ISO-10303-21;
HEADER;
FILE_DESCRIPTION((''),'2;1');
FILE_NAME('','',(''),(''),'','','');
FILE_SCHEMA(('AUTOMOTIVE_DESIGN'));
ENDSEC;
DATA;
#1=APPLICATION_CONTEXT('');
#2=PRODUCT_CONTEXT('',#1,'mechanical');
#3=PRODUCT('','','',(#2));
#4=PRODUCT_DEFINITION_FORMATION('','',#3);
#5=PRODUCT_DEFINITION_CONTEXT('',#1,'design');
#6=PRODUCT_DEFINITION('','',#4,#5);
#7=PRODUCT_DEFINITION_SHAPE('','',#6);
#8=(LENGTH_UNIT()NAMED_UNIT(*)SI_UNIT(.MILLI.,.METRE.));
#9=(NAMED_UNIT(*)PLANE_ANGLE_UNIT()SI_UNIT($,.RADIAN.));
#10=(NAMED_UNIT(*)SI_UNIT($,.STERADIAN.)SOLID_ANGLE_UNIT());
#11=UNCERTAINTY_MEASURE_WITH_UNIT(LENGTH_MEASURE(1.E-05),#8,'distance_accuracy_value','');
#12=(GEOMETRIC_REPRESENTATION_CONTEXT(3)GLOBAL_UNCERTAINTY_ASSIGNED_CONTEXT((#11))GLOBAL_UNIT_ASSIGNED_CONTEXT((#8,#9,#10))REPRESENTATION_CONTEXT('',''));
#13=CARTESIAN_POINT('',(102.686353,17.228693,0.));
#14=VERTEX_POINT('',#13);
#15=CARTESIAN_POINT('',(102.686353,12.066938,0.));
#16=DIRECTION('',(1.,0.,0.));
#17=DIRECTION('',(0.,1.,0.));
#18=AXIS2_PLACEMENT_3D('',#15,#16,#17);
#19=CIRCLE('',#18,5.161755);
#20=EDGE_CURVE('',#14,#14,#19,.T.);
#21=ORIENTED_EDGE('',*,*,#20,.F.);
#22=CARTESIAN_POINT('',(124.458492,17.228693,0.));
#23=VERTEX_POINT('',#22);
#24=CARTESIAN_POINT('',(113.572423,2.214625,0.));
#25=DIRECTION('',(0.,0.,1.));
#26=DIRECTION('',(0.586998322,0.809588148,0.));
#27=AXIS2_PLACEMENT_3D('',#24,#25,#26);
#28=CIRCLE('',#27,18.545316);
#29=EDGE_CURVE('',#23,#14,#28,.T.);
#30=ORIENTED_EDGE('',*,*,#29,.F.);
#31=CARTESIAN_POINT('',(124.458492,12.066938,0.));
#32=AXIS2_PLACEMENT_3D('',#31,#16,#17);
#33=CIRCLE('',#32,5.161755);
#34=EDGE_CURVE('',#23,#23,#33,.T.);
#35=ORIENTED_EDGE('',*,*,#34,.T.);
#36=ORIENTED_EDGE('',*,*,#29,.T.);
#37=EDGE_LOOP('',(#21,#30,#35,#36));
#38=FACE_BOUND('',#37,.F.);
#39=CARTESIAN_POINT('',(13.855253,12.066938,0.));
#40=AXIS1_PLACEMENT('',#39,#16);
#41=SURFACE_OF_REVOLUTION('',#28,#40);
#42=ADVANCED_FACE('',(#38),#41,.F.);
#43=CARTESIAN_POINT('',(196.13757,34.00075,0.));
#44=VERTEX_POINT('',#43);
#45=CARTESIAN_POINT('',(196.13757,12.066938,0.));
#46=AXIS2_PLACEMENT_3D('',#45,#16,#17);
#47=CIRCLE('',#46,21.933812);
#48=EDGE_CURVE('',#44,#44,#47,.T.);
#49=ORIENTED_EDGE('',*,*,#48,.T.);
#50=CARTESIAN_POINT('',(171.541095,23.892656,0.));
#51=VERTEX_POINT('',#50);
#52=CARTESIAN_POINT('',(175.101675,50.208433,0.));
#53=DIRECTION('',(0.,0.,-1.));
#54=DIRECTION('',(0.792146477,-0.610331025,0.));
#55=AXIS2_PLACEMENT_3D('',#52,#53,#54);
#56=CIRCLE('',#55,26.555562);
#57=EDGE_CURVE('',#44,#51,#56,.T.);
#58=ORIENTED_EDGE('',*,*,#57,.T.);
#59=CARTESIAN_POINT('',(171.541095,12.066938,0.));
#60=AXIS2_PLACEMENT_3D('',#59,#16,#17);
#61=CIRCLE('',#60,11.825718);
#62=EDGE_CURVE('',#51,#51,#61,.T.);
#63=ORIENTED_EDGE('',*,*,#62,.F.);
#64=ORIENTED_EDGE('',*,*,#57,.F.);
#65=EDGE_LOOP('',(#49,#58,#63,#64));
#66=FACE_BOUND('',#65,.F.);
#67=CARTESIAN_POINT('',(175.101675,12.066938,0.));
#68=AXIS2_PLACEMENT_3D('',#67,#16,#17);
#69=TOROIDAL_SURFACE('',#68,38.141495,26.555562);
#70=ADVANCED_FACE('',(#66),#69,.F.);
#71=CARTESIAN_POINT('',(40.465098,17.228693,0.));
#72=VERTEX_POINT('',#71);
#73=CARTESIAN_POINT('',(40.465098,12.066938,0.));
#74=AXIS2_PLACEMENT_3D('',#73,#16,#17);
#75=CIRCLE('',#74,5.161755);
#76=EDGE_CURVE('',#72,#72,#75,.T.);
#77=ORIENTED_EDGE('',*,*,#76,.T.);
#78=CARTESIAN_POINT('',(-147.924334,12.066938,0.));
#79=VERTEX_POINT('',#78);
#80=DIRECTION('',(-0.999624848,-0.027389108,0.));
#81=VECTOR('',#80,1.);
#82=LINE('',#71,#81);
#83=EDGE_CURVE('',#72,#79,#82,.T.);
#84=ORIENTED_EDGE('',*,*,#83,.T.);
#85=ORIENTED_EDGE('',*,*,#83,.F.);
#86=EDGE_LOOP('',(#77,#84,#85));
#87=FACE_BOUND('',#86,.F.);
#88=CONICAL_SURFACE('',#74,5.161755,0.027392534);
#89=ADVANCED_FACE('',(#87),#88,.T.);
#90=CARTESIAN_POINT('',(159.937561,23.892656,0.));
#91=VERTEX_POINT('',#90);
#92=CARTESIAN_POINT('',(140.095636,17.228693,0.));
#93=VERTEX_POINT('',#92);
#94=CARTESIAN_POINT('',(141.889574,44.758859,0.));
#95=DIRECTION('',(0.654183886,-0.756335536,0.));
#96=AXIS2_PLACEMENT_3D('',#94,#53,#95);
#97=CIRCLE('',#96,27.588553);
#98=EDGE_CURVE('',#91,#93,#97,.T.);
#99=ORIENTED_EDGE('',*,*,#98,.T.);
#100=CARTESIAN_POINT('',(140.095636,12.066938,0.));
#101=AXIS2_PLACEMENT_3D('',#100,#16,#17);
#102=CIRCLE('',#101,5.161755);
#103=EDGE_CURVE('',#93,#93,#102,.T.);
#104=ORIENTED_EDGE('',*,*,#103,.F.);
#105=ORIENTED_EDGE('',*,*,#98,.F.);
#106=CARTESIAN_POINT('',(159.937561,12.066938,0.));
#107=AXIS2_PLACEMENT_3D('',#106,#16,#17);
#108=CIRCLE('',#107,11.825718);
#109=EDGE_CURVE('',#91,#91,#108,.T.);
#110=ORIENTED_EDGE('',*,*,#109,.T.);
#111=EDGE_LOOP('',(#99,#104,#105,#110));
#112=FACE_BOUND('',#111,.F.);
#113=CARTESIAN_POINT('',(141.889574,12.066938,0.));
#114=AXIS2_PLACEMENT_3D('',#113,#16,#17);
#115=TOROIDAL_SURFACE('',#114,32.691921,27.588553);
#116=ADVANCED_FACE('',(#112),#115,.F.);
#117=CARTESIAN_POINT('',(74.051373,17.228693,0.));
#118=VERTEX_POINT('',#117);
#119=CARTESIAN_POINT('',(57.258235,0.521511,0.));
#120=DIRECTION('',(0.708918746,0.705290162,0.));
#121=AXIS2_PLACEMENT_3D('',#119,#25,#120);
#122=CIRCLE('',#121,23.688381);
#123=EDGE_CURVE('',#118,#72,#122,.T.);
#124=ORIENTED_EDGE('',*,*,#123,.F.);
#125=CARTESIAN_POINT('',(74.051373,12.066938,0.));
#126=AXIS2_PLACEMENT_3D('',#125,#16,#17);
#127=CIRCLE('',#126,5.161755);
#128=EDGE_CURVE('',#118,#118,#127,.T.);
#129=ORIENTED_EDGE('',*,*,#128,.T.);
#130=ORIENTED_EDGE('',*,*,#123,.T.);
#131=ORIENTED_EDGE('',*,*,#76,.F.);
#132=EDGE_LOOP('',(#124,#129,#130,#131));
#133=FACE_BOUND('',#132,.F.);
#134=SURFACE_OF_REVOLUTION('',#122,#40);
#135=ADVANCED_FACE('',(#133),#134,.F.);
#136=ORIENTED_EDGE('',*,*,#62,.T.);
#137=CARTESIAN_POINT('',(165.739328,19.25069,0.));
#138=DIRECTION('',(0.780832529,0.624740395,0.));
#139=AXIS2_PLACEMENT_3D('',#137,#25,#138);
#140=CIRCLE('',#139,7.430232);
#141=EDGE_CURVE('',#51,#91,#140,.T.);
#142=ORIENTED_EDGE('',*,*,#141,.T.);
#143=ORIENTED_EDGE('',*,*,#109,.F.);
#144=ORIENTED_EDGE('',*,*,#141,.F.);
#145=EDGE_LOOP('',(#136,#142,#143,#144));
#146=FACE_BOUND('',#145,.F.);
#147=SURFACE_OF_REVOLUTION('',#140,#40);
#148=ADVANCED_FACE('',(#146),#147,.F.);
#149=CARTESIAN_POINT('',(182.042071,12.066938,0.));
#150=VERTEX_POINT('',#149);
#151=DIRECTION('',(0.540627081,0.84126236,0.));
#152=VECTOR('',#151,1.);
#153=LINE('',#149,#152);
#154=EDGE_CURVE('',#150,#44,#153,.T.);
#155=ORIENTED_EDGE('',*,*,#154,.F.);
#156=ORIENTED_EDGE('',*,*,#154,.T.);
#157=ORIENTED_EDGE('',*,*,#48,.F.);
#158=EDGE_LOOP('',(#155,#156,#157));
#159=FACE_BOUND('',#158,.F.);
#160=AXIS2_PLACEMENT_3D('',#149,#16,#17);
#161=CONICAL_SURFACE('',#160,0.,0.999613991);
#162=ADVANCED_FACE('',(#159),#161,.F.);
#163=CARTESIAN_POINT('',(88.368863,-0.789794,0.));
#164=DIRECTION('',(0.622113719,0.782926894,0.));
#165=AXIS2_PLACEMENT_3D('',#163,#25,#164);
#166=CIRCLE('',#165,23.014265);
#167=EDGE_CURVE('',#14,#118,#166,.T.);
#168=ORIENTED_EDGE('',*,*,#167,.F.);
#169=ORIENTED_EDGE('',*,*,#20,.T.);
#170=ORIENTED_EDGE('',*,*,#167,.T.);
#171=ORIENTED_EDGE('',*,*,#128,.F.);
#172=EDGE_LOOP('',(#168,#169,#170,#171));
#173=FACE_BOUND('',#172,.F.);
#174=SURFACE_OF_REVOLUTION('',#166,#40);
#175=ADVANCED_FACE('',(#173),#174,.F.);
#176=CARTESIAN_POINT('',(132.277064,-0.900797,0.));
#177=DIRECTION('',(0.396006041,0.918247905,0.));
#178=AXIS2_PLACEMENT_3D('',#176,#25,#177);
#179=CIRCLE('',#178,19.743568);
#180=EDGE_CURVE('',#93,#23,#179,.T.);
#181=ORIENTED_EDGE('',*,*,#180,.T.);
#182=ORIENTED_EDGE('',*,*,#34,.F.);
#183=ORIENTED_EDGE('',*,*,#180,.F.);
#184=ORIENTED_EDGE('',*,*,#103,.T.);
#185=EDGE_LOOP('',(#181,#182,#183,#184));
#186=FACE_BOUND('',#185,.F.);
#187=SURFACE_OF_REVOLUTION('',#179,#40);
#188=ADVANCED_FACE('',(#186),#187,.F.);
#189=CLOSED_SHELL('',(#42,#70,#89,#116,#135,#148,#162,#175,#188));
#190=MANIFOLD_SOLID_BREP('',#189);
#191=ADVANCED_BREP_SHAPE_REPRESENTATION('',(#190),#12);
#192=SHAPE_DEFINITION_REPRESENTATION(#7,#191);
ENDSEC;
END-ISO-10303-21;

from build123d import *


with BuildPart() as f1:
    # F0 (on Top) → F1 (revolve)
    with BuildSketch(Plane.XY):
        with BuildLine():
            Line((40.465098, 17.228693), (-147.924334, 12.066938))
            Line((-147.924334, 12.066938), (182.042071, 12.066938))
            Line((182.042071, 12.066938), (196.13757, 34.00075))
            ThreePointArc((196.13757, 34.00075), (185.195735, 25.646108), (171.541095, 23.892656))
            ThreePointArc((171.541095, 23.892656), (165.739328, 26.680922), (159.937561, 23.892656))
            ThreePointArc((159.937561, 23.892656), (150.673117, 18.605893), (140.095636, 17.228693))
            ThreePointArc((140.095636, 17.228693), (132.277064, 18.842771), (124.458492, 17.228693))
            ThreePointArc((124.458492, 17.228693), (113.572422, 20.759941), (102.686353, 17.228693))
            ThreePointArc((102.686353, 17.228693), (88.368863, 22.224471), (74.051373, 17.228693))
            ThreePointArc((74.051373, 17.228693), (57.258235, 24.209892), (40.465098, 17.228693))
        make_face()
    revolve(axis=Axis((13.855253, 12.066938, 0), (1, 0, 0)))


solid = f1.part
